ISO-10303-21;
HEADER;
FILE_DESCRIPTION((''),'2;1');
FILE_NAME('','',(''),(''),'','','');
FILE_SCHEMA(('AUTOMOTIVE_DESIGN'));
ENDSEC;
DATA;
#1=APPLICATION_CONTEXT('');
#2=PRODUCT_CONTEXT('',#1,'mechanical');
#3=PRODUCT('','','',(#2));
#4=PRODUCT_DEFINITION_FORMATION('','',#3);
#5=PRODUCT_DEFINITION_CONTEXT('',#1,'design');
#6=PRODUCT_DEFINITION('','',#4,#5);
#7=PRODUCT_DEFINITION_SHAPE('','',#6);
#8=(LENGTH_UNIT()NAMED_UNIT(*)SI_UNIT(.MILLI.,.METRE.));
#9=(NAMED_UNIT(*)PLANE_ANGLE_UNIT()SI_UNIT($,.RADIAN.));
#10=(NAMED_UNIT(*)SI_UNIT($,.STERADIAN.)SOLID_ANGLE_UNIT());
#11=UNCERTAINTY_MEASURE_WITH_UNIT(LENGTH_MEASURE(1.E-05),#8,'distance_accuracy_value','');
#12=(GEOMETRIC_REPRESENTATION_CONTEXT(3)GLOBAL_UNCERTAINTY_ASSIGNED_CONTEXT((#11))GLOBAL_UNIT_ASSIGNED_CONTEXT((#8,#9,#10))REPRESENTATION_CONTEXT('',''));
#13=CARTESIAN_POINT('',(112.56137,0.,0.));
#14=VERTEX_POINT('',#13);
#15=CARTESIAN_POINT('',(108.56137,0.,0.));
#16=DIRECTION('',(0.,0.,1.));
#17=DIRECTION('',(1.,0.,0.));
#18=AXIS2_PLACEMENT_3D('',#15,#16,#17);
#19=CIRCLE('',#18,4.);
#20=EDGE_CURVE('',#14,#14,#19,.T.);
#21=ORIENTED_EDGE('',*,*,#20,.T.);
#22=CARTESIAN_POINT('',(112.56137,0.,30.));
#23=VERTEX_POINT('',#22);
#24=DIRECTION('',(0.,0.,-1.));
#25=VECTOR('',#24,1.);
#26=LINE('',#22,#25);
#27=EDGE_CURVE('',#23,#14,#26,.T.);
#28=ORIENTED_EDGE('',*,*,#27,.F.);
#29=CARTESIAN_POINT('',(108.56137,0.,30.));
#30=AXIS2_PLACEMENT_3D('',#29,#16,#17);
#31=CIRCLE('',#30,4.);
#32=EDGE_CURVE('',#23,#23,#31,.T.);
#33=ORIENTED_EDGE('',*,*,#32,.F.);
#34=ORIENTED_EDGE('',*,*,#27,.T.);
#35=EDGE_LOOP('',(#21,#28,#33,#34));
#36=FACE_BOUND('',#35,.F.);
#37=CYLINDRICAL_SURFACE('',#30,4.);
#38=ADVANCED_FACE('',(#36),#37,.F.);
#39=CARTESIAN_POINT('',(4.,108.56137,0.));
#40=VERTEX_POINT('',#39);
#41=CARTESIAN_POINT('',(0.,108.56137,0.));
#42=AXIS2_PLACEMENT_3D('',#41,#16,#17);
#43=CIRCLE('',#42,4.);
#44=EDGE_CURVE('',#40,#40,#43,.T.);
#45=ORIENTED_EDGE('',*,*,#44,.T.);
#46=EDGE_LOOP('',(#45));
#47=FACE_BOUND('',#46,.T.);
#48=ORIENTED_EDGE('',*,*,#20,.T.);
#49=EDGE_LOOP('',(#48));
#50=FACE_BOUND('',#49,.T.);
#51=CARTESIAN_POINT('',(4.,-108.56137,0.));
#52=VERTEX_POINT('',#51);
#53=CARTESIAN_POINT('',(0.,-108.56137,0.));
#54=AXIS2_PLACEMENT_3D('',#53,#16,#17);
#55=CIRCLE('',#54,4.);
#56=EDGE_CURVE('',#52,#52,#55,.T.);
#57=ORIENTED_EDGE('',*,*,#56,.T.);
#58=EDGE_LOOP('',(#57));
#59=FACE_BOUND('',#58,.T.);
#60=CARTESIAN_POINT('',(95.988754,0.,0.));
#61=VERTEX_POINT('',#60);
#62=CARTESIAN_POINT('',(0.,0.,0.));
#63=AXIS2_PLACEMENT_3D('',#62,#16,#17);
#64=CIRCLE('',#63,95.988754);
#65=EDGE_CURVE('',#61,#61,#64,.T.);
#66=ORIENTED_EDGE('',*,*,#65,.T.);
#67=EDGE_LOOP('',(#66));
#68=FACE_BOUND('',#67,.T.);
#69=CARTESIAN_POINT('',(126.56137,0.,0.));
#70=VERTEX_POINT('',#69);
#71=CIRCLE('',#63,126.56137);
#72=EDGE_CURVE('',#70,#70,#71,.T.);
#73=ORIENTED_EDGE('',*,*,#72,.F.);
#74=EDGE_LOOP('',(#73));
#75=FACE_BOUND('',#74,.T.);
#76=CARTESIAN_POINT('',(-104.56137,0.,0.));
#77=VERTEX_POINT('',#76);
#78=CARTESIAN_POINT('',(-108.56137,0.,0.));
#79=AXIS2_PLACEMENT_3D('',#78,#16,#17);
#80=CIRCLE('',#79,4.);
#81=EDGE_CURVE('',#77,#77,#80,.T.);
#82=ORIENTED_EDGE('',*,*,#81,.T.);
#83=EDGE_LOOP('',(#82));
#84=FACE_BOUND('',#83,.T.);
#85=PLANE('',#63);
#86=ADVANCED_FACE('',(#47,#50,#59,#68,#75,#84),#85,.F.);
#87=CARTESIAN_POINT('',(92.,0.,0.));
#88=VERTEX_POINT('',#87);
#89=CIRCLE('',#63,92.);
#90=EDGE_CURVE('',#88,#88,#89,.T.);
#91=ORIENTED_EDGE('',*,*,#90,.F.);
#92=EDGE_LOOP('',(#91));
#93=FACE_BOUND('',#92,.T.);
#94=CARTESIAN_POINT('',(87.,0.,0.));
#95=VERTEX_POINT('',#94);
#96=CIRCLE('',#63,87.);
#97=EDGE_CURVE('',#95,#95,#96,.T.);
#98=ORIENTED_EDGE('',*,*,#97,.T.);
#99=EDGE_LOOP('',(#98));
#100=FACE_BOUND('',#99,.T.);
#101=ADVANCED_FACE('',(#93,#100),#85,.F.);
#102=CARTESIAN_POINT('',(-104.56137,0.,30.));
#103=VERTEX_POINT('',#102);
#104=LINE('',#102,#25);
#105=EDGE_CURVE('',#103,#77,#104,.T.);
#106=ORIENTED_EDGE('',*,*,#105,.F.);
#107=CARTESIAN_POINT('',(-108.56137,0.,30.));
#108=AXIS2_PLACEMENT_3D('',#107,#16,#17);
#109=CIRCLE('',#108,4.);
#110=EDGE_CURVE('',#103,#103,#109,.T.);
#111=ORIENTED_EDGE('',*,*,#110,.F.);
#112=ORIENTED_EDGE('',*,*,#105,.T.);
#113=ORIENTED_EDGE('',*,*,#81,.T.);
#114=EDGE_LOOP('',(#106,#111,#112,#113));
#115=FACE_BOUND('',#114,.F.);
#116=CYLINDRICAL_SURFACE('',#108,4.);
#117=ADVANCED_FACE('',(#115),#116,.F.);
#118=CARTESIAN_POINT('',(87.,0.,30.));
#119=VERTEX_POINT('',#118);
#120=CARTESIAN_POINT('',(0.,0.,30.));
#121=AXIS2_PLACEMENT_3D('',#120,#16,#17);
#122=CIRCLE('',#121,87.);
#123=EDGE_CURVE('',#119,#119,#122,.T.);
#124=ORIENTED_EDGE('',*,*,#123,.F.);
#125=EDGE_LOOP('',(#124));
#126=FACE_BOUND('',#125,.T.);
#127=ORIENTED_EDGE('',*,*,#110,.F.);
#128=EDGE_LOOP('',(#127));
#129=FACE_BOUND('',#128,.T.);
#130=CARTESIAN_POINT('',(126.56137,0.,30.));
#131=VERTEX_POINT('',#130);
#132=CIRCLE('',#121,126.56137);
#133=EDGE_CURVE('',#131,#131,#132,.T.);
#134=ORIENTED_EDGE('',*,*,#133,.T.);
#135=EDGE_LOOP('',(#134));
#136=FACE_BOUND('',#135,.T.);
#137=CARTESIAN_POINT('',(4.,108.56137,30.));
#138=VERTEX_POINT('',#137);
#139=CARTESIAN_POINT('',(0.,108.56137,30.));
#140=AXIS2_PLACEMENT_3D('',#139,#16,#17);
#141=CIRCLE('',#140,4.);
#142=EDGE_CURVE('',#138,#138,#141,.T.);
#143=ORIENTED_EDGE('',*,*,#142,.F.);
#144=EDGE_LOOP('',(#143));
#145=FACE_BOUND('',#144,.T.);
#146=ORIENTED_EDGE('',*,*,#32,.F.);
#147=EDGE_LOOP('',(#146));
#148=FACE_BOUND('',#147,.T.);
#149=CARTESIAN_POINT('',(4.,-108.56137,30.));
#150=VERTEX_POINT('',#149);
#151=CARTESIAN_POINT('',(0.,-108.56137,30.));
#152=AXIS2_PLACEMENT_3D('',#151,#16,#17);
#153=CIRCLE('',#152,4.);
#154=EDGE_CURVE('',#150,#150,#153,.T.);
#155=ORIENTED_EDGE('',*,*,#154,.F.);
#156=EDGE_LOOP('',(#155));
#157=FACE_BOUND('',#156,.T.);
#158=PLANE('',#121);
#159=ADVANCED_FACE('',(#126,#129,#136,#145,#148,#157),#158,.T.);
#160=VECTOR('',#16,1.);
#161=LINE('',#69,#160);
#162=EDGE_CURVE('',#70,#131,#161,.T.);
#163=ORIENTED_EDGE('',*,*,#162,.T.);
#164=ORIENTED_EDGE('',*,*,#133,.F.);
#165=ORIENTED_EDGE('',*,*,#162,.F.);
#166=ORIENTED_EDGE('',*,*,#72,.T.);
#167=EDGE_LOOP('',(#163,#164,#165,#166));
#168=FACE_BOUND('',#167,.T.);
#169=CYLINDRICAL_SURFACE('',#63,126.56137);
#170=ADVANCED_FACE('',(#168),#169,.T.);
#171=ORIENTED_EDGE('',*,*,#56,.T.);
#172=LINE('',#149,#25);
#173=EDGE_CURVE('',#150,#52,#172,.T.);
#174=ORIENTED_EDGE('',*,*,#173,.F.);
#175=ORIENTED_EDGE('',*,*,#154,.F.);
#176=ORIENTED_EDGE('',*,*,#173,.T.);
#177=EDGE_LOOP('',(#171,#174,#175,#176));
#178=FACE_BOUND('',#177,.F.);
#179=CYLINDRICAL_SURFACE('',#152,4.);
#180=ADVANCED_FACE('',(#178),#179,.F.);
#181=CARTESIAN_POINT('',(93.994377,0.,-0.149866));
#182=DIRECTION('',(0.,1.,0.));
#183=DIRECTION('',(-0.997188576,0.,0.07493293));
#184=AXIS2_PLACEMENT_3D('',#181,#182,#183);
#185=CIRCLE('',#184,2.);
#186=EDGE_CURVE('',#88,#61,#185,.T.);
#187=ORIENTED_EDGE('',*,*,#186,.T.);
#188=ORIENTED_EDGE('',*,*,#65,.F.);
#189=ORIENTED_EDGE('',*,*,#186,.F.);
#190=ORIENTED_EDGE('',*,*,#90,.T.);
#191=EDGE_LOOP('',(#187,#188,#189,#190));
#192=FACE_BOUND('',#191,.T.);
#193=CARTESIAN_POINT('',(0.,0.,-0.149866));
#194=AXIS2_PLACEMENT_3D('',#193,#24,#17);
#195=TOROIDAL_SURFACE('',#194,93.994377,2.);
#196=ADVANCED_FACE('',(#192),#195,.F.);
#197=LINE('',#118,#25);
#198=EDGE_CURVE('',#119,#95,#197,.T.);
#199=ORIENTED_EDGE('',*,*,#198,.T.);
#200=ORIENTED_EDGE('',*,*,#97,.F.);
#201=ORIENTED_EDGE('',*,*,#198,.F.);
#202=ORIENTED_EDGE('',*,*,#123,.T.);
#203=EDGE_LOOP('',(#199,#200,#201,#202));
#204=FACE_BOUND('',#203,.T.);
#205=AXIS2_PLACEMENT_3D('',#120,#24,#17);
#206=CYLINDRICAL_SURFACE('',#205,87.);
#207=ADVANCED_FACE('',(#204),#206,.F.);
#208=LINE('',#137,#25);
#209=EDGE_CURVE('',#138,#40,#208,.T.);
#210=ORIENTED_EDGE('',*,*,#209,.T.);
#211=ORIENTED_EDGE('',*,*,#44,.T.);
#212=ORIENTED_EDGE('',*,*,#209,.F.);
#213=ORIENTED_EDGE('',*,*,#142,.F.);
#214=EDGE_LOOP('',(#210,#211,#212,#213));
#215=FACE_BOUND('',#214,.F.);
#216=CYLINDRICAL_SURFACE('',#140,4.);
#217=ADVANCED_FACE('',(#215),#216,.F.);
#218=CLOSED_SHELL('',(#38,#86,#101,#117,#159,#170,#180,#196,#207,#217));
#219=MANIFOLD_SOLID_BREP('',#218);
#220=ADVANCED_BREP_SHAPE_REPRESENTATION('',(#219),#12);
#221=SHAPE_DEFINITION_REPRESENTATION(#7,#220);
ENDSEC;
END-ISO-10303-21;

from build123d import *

# Parameters (mm, degrees)
F2_R     = 4
F3_DEPTH = 30.001


with BuildPart() as f1:
    # F0 (on Front) → F1 (revolve)
    with BuildSketch(Plane.XZ):
        with BuildLine():
            Line((87, 30), (87, 0))
            Line((87, 0), (92, 0))
            ThreePointArc((92, 0), (93.994377, 1.850134), (95.988754, 0))
            Line((95.988754, 0), (126.56137, 0))
            Line((126.56137, 0), (126.56137, 30))
            Line((126.56137, 30), (87, 30))
        make_face()
    revolve(axis=Axis((0, 0, 3.579337), (0, 0, 1)))

    # F2 (on face) → F3 (cut, through all)
    with BuildSketch(Plane.XY.offset(30)):
        with Locations((108.56137, 0)):
            Circle(F2_R)
        with Locations((0, 108.56137)):
            Circle(F2_R)
        with Locations((-108.56137, 0)):
            Circle(F2_R)
        with Locations((0, -108.56137)):
            Circle(F2_R)
    extrude(amount=-F3_DEPTH, mode=Mode.SUBTRACT)


solid = f1.part
